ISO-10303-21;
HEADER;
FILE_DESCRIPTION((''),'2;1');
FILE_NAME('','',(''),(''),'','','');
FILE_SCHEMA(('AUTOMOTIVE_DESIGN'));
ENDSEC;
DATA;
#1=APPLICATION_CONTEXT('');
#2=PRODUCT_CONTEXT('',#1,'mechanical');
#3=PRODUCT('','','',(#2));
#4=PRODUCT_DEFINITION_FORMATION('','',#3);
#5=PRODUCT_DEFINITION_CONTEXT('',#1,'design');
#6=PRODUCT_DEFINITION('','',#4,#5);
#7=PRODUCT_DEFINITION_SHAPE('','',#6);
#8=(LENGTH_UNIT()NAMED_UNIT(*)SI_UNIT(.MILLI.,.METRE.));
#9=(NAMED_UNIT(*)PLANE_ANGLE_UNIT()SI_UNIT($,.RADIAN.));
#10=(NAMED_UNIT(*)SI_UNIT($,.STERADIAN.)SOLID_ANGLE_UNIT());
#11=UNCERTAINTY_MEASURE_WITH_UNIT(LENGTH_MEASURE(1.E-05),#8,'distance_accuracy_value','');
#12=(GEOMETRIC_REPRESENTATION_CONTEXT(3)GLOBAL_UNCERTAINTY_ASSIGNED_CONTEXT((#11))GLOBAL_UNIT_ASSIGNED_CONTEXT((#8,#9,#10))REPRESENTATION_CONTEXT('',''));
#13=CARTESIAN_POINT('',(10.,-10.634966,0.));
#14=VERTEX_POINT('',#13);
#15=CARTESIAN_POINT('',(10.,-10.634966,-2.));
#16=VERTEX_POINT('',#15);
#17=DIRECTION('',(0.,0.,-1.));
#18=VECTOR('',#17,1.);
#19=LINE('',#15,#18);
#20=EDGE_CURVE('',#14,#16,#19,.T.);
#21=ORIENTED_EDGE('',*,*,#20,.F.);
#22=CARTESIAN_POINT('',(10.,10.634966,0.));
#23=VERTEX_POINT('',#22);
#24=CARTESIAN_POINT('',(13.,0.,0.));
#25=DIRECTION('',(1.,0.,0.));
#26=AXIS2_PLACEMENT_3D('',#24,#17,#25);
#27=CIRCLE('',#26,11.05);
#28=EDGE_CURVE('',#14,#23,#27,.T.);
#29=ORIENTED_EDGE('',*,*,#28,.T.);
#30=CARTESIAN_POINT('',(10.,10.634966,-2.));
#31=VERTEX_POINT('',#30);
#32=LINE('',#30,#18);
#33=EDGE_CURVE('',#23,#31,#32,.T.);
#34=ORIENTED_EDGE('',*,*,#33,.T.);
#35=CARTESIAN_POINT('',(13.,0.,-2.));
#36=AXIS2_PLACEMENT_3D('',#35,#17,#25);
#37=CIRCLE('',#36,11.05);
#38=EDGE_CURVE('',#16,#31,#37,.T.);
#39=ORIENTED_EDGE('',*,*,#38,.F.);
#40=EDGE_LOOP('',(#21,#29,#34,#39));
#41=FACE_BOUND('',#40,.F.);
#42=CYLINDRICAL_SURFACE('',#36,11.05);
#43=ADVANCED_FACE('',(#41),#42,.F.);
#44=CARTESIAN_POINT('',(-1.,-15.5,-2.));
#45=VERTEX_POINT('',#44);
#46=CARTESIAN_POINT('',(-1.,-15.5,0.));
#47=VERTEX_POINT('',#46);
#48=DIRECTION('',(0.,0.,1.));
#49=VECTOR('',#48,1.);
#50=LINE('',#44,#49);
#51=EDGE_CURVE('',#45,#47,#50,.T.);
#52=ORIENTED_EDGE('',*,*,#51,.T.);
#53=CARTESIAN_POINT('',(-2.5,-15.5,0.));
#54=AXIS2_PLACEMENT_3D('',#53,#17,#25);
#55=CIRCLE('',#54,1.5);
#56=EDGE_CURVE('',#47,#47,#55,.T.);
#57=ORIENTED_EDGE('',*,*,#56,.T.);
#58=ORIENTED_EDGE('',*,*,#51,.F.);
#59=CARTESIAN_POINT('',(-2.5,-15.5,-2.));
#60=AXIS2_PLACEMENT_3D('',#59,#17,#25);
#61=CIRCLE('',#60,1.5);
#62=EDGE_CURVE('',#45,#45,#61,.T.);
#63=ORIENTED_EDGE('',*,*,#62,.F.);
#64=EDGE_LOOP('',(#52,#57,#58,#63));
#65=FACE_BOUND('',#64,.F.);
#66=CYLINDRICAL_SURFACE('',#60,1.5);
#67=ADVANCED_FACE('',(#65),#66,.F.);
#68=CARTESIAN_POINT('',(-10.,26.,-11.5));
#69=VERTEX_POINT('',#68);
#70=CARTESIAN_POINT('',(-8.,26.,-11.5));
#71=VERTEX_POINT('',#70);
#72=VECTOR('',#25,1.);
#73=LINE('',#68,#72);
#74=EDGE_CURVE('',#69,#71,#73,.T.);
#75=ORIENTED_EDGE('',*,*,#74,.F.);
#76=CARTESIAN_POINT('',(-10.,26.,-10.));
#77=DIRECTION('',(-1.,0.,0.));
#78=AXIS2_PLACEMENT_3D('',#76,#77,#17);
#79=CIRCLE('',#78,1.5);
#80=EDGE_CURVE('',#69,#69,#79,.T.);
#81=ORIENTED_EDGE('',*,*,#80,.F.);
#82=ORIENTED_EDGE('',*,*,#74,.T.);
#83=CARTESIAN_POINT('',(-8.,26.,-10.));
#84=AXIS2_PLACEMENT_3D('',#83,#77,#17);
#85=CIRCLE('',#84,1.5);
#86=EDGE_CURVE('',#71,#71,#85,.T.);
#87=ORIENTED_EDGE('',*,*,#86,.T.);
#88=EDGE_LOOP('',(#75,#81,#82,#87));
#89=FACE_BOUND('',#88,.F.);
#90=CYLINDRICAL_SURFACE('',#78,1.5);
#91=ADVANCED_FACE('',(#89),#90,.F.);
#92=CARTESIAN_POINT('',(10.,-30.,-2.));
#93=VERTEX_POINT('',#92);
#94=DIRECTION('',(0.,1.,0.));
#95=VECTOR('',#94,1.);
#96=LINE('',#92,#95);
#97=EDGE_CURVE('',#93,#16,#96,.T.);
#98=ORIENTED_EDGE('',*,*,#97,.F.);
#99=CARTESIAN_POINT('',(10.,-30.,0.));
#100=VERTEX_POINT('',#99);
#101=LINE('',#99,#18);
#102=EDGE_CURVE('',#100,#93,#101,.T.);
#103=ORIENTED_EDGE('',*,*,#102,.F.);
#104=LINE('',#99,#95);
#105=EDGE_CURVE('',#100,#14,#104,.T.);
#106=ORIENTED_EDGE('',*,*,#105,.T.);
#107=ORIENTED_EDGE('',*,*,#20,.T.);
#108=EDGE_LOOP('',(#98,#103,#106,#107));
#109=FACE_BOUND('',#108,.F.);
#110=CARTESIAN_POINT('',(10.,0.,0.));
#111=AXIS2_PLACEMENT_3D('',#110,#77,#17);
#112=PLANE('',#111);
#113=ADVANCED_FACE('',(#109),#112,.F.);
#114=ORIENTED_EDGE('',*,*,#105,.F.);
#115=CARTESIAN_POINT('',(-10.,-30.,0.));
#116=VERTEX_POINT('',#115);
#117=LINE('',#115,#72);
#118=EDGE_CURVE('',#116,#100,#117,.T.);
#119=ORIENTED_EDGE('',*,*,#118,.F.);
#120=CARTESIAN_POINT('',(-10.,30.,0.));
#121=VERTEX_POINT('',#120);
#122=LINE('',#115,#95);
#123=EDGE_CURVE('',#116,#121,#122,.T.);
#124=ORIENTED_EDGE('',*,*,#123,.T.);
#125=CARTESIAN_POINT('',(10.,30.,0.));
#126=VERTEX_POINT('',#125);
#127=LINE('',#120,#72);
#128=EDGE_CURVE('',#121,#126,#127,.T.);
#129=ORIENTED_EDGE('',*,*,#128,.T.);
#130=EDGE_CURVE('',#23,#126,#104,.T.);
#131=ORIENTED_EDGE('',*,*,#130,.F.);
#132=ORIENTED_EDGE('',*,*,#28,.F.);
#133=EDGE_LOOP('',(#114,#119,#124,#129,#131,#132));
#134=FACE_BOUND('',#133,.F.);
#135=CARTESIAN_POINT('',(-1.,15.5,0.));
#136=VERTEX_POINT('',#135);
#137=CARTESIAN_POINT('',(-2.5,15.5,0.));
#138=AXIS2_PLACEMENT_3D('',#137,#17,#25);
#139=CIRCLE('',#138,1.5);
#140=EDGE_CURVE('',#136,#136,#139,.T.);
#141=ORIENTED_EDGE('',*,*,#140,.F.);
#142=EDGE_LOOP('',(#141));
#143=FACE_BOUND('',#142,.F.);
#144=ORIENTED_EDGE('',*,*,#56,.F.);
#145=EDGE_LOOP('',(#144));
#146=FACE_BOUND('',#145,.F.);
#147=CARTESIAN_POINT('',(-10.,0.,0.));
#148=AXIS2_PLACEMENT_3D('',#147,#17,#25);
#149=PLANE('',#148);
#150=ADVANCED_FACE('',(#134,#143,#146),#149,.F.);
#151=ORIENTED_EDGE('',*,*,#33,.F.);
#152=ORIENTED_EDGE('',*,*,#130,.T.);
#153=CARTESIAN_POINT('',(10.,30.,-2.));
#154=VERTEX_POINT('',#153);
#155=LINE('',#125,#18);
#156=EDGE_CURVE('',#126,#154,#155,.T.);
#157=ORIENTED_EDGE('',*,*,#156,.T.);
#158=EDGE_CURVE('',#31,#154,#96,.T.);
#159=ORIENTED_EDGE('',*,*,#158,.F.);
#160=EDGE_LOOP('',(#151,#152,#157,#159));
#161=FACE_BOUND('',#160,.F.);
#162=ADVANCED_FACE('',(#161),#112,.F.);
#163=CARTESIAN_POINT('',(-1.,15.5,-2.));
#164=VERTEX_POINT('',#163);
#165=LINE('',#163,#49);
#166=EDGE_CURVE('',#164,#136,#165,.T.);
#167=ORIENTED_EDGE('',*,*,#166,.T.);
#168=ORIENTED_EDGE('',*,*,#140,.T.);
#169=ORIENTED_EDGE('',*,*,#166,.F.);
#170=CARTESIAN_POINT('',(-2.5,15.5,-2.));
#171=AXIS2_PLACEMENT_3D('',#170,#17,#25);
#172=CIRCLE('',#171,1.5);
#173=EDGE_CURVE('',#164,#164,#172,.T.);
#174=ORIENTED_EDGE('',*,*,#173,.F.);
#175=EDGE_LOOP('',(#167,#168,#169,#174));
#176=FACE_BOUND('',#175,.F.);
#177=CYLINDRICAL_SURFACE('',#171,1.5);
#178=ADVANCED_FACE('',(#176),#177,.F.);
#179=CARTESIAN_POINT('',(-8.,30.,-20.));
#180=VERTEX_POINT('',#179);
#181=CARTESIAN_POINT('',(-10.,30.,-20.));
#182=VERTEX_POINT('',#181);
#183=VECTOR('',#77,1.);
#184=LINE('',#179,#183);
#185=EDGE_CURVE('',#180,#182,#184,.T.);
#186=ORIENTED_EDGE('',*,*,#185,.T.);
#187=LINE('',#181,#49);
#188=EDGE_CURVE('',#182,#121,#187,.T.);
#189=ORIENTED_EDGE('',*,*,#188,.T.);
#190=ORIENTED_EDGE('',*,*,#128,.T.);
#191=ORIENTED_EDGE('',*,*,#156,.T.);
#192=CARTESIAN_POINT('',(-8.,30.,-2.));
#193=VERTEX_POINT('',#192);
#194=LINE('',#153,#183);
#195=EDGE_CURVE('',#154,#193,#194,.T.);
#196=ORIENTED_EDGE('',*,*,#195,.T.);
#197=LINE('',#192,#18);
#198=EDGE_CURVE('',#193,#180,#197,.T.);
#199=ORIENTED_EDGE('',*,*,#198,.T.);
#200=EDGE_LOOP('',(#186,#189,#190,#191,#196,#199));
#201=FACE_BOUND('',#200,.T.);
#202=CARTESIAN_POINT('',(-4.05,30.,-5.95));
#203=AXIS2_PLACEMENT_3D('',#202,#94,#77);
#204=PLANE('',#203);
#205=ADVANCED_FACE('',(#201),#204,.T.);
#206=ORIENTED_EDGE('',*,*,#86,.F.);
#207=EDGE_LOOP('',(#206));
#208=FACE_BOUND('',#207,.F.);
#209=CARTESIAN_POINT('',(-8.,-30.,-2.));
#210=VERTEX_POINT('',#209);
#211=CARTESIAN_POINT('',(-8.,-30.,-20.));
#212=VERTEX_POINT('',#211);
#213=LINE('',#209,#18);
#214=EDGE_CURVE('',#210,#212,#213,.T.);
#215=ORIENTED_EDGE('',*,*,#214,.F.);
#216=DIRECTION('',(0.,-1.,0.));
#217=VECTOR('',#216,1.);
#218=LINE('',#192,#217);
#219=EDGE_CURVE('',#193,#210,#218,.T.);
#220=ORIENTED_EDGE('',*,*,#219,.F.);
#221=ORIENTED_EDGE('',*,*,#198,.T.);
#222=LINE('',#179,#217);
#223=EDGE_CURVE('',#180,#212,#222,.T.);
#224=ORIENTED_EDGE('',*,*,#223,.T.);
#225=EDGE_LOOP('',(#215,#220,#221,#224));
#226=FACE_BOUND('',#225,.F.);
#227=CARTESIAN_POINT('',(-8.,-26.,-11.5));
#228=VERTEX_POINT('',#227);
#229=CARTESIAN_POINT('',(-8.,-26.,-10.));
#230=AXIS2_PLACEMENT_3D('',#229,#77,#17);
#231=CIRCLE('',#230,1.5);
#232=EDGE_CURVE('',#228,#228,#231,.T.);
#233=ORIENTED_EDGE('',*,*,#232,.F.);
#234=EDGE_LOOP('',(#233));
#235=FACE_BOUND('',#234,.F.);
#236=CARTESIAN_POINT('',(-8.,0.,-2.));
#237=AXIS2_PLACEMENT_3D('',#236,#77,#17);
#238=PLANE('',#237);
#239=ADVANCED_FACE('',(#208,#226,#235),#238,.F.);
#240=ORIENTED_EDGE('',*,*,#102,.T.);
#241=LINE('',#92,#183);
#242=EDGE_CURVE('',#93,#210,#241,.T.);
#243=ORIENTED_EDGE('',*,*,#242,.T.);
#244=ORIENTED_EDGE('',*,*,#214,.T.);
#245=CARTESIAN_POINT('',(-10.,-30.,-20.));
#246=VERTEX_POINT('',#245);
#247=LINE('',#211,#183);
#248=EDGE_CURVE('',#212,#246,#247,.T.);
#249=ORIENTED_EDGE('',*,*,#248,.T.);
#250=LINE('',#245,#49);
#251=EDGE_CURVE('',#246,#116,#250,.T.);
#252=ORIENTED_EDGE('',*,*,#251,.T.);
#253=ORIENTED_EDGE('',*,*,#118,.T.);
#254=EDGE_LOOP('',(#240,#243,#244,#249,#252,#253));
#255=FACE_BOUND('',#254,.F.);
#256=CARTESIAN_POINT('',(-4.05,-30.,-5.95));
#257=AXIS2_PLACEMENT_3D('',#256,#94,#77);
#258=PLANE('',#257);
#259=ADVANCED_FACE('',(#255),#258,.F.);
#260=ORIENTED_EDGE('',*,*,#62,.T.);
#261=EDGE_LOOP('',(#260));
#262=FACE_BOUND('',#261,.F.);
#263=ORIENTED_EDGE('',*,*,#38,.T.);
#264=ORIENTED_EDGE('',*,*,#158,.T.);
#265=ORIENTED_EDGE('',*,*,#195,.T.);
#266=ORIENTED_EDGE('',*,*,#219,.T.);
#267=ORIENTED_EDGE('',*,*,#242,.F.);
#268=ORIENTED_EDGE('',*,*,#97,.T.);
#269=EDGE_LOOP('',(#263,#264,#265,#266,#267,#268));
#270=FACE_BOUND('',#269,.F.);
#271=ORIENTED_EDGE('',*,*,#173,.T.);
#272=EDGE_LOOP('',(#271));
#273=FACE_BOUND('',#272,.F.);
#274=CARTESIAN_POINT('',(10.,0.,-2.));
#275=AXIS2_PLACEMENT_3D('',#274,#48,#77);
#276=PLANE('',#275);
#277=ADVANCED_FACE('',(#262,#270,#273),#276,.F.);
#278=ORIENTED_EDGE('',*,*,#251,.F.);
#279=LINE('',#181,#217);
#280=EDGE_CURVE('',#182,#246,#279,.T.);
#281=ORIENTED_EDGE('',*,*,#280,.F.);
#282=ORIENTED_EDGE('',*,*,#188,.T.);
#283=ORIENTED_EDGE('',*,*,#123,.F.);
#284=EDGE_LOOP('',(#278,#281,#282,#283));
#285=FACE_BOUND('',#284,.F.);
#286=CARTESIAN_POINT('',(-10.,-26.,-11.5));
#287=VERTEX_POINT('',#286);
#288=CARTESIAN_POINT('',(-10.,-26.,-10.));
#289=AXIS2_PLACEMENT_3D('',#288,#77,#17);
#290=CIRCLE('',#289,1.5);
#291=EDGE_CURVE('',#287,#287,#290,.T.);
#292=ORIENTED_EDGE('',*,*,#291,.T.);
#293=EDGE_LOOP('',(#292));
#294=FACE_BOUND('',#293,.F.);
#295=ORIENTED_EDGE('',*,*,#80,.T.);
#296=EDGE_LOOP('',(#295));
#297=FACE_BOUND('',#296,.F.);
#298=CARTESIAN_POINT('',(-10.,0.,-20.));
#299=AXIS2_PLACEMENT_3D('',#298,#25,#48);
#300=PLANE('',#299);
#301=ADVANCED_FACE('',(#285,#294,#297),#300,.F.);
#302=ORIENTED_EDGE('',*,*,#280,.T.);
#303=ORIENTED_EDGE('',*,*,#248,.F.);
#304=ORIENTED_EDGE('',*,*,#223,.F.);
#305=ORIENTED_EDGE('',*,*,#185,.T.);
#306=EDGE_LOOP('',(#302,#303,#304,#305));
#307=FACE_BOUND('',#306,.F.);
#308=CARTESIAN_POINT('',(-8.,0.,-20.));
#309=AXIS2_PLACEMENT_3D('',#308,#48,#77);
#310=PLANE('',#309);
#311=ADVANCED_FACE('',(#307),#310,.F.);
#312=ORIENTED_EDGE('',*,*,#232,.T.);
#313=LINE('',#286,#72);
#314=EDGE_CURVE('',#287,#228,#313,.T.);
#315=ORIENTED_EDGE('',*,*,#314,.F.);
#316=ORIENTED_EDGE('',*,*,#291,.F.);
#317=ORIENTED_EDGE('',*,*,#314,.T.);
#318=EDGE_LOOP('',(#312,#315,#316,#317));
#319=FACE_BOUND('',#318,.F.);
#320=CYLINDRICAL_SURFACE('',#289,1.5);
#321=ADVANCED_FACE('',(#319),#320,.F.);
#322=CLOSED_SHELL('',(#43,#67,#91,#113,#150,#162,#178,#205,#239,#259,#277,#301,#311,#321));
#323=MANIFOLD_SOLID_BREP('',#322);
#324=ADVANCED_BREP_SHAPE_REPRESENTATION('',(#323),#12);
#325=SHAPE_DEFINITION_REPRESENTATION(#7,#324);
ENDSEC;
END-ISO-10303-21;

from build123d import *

# Parameters (mm, degrees)
PAD_DEPTH       = 30
PAD_DEPTH_BACK  = 30
SKETCH001_R     = 11.05
SKETCH001_R_2   = 1.5
POCKET_DEPTH    = 5.54
SKETCH002_R     = 1.5
POCKET001_DEPTH = 20.001


with BuildPart() as part:
    # Sketch → Pad (new body, two sides)
    with BuildSketch(Plane.XZ) as pad_sk:
        Polygon((-10, -20), (-10, 0), (10, 0), (10, -2), (-8, -2), (-8, -20), align=None)
    extrude(amount=PAD_DEPTH)
    extrude(pad_sk.sketch, amount=-PAD_DEPTH_BACK)

    # Sketch001 (on Face4 of Pad) → Pocket (cut)
    with BuildSketch(Plane(origin=(13, 0, -2), x_dir=(1, 0, 0), z_dir=(0, 0, -1))):
        Circle(SKETCH001_R)
        with Locations((-15.5, 15.5)):
            Circle(SKETCH001_R_2)
        with Locations((15.5, 15.5)):
            Circle(SKETCH001_R_2)
        with Locations((15.5, -15.5)):
            Circle(SKETCH001_R_2)
        with Locations((-15.5, -15.5)):
            Circle(SKETCH001_R_2)
    extrude(amount=-POCKET_DEPTH, mode=Mode.SUBTRACT)

    # Sketch002 (on Face1 of Pocket) → Pocket001 (cut, through all)
    with BuildSketch(Plane(origin=(-10, 0, 0), x_dir=(0, 0, -1), z_dir=(-1, 0, 0))):
        with Locations((10, 26)):
            Circle(SKETCH002_R)
        with Locations((10, -26)):
            Circle(SKETCH002_R)
    extrude(amount=-POCKET001_DEPTH, mode=Mode.SUBTRACT)


solid = part.part
